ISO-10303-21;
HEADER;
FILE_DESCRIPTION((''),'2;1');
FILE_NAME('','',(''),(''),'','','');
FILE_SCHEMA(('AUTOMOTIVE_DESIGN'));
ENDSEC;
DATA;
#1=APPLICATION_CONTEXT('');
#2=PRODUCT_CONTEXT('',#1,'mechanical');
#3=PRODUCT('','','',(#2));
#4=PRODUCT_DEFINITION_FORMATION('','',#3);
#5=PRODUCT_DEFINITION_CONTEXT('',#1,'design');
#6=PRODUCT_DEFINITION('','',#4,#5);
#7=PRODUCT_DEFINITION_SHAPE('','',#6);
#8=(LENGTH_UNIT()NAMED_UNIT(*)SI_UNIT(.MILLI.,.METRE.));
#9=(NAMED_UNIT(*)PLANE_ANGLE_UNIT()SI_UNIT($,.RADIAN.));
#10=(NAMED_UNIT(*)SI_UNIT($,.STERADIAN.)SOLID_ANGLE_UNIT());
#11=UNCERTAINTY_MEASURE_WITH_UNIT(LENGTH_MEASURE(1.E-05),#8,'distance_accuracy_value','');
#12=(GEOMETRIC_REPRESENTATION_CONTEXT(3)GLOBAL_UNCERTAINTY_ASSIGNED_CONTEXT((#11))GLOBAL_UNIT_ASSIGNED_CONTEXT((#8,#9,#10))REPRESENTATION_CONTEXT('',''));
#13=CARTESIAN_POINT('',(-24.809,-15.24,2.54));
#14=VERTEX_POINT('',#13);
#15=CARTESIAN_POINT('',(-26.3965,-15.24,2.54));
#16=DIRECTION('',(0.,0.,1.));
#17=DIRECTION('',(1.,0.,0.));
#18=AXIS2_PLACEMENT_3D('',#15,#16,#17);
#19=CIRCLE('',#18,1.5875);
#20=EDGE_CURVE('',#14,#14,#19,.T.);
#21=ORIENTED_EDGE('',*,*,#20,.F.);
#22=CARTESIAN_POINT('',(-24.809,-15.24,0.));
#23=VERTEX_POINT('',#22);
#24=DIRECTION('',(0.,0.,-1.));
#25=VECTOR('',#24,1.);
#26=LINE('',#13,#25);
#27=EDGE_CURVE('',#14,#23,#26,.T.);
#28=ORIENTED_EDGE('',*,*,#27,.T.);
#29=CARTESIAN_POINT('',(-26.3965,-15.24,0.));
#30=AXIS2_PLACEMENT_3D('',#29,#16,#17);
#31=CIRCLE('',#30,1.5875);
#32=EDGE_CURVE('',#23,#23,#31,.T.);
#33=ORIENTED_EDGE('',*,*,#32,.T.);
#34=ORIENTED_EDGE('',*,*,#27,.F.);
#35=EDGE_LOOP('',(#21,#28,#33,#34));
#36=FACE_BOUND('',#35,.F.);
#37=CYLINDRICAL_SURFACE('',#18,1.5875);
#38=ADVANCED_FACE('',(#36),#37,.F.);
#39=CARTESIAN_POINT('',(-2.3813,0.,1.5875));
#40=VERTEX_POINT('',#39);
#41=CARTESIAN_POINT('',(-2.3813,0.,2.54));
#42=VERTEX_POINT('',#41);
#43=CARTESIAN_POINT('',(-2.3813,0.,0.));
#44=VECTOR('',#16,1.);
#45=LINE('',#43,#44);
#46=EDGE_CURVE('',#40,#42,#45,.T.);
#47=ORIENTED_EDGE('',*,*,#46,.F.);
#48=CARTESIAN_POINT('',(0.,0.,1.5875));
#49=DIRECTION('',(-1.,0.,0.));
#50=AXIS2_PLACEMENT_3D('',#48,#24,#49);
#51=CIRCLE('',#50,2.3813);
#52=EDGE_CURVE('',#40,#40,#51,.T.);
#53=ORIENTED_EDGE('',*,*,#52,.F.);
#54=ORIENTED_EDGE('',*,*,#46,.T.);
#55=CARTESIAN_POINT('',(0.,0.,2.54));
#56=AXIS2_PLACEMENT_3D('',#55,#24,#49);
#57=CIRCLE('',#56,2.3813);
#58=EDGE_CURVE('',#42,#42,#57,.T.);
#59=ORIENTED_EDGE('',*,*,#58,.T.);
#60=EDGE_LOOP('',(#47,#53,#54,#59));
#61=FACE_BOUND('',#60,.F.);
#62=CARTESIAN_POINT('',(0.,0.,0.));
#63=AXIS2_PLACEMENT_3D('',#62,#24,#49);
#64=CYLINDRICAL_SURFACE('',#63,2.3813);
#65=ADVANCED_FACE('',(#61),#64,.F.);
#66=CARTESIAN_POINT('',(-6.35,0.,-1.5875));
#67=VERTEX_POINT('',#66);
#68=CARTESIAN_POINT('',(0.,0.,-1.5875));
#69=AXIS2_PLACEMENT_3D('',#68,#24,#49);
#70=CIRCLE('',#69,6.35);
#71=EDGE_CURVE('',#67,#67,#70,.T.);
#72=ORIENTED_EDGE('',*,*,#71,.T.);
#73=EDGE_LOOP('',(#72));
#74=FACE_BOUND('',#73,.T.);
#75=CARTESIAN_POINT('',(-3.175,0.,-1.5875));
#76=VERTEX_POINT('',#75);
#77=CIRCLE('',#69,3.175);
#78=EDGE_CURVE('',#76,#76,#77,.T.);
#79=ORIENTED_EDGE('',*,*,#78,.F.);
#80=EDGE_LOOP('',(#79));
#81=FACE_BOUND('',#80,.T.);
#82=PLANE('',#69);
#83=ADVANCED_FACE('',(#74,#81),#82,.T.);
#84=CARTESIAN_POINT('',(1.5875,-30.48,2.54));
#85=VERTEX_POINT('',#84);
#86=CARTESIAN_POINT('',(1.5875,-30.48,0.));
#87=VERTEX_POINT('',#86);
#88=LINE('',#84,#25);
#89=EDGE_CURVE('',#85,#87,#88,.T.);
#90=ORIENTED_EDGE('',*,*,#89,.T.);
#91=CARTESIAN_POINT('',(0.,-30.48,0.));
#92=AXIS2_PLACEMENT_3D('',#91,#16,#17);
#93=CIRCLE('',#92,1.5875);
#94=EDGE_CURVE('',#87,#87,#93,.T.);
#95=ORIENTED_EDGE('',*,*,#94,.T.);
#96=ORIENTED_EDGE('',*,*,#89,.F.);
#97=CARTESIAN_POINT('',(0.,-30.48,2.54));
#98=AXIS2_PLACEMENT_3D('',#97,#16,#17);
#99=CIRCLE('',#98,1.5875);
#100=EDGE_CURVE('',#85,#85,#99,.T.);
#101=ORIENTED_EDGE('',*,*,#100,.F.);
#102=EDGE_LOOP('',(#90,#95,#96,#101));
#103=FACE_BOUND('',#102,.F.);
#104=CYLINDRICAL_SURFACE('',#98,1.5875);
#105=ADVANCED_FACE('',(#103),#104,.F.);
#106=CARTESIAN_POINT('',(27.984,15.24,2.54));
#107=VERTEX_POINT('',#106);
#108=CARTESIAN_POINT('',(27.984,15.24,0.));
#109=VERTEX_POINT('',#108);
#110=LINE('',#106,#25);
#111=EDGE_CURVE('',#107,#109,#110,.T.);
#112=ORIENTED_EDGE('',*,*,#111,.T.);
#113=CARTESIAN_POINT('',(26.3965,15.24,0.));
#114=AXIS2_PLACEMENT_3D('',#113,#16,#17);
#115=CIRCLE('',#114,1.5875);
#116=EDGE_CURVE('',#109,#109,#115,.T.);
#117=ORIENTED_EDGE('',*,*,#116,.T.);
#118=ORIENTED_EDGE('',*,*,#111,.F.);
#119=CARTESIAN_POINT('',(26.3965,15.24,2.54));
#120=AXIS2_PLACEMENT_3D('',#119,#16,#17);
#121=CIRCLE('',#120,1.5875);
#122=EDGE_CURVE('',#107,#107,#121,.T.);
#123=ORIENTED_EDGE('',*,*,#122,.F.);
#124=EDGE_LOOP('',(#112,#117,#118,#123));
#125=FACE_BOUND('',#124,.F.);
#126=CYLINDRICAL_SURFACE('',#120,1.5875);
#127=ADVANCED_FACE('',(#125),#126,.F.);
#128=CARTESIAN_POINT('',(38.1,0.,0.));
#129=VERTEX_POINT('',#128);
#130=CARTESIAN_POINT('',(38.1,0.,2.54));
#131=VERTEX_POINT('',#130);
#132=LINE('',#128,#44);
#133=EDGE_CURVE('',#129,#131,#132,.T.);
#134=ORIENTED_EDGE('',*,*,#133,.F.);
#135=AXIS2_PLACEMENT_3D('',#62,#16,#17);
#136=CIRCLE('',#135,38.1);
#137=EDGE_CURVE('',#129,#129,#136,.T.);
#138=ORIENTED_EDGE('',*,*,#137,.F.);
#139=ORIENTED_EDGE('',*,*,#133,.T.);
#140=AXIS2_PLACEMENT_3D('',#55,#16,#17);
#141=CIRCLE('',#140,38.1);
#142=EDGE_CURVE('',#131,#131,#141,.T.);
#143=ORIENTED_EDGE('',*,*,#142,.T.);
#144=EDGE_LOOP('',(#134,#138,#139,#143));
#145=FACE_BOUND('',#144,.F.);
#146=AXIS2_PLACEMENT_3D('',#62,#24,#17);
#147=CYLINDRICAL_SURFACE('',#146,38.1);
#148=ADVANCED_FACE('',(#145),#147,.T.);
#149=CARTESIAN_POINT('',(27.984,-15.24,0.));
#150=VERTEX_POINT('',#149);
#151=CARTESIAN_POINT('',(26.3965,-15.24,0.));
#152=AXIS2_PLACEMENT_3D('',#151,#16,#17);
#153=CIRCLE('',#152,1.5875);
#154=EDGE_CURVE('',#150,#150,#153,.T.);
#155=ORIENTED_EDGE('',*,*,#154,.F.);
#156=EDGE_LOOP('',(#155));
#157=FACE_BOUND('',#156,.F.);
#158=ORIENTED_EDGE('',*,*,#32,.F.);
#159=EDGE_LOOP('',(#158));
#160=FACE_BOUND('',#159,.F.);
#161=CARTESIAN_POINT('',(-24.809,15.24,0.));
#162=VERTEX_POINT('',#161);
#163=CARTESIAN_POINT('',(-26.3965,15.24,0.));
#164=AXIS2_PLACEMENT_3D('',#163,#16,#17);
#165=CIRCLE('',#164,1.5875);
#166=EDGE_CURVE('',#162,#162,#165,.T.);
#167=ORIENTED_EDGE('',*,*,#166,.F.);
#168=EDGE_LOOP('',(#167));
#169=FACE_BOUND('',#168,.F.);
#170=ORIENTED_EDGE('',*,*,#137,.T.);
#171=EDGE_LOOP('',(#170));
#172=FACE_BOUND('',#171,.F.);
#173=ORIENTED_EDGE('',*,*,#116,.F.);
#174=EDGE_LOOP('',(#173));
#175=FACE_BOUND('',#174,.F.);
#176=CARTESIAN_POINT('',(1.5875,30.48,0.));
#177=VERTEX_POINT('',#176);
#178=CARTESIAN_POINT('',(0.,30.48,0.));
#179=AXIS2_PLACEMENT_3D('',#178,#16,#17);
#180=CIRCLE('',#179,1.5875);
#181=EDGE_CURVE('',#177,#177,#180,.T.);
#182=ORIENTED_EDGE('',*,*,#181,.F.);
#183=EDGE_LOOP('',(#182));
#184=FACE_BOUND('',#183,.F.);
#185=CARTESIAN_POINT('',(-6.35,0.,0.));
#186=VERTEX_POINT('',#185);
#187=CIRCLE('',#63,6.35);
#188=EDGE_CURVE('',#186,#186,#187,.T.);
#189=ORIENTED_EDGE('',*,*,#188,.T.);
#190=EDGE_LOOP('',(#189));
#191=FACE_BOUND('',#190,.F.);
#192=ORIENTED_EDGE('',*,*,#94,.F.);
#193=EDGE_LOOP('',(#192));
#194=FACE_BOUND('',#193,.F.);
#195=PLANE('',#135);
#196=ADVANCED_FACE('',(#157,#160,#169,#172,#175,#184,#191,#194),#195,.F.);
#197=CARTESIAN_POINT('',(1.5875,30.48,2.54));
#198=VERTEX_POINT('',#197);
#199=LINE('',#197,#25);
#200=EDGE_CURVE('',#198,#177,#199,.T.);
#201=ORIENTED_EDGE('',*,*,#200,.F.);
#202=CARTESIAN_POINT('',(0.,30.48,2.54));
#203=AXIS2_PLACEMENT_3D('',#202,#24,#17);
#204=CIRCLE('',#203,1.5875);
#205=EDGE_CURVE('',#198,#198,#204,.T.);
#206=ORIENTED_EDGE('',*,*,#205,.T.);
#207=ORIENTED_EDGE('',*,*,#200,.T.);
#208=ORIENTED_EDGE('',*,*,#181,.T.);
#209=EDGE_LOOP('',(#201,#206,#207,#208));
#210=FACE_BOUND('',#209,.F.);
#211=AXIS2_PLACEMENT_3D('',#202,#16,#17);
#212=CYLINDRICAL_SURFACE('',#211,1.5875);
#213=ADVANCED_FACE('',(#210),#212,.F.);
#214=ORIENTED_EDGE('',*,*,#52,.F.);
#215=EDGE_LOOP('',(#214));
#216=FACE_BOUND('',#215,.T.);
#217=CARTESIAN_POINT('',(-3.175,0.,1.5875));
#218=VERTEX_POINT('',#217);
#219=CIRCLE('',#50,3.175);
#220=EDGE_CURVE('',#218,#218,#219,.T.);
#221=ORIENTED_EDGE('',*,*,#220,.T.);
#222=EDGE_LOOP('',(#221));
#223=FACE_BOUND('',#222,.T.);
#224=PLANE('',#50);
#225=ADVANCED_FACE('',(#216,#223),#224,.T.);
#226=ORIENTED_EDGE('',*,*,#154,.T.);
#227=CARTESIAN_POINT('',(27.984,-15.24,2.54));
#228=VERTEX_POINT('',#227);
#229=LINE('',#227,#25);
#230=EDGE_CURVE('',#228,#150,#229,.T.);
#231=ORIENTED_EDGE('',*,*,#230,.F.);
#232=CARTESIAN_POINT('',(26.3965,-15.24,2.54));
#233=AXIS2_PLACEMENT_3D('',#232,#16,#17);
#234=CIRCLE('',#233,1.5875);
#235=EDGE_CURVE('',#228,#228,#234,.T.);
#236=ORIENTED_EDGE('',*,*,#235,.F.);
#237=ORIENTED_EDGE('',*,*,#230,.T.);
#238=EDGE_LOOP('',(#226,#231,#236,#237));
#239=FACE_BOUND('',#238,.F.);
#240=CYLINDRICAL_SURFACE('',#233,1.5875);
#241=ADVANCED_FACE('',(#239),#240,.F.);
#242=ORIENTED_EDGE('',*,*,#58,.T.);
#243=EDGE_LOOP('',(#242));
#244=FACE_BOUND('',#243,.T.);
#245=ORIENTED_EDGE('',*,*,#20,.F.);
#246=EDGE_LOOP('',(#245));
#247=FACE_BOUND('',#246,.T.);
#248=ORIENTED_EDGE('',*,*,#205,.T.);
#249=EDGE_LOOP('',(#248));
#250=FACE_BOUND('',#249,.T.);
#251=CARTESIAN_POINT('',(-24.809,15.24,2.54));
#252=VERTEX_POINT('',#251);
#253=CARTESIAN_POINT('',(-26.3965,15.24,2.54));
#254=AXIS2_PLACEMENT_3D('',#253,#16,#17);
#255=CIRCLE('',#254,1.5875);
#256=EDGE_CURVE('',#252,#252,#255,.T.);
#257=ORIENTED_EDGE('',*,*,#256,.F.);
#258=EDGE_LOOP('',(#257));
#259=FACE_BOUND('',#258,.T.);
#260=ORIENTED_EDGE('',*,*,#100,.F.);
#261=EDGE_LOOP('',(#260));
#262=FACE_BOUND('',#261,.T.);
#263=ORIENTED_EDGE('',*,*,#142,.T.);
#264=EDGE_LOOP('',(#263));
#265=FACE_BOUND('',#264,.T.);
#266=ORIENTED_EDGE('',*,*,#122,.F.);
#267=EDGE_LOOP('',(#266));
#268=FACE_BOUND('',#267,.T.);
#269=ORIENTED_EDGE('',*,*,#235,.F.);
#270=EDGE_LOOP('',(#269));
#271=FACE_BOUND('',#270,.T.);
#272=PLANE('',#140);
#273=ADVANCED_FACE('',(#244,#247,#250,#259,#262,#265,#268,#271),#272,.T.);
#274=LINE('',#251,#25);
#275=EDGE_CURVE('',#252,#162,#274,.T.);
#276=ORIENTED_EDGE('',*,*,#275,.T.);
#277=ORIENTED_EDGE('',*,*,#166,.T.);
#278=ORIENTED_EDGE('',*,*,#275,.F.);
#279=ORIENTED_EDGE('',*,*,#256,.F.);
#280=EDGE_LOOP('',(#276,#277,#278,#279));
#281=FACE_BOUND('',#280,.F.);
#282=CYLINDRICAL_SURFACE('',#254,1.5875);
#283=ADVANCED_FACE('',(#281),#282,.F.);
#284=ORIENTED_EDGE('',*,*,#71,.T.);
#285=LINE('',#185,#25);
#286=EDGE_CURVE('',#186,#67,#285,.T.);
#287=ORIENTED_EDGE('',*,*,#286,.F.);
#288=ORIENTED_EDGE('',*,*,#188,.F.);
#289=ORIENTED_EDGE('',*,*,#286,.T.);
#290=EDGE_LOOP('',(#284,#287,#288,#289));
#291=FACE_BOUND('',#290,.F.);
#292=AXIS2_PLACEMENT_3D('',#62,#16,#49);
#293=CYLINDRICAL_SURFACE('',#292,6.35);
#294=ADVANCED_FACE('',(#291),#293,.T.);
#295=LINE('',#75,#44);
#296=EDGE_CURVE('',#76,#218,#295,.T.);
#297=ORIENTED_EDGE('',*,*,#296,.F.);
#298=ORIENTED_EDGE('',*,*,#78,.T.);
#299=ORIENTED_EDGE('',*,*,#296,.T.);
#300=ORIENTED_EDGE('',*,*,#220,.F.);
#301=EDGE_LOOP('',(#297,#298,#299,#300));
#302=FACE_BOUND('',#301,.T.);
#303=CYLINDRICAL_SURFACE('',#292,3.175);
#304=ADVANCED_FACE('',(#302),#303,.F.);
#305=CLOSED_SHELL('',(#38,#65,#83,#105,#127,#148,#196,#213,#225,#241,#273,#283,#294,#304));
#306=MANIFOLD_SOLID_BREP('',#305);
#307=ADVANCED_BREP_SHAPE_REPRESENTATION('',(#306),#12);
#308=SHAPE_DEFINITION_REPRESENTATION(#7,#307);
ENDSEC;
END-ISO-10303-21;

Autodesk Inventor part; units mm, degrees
ref_plane "YZ Plane" through (0, 0, 0) normal (1, 0, 0) x (0, 1, 0)
ref_plane "XZ Plane" through (0, 0, 0) normal (0, 1, 0) x (-1, 0, 0)
ref_plane "XY Plane" through (0, 0, 0) normal (0, 0, 1) x (1, 0, 0)
sketch "Sketch1" plane through (0, 0, 0) normal (0, 0, 1) x (1, 0, 0)
  circle A0 centre (0, 0) radius 38.1
  dimension "d0" = 76.2
extrude "Extrusion1" add sketch "Sketch1" along normal blind 2.54
sketch "Sketch3" plane through (0, 0, 0) normal (0, 0, -1) x (-1, 0, 0)
  circle A0 centre (0, 0) radius 3.175
  circle A1 centre (0, 0) radius 6.35
  circle A2 centre (0, 0) radius 2.3813
  dimension "d4" = 6.35
  dimension "d5" = 12.7
  dimension "d6" = 4.7625
extrude "Extrusion2" cut sketch "Sketch3" against normal blind 25.4 contours A2
extrude "Extrusion3" cut sketch "Sketch3" against normal blind 1.5875 contours A0
extrude "Extrusion4" add sketch "Sketch3" along normal blind 1.5875 contours A1
sketch "Sketch4" plane through (0, 0, 2.54) normal (0, 0, 1) x (1, 0, 0)
  line L0 (0, 0) -> (0, 30.48)
  circle A0 centre (0, 30.48) radius 1.5875
  circle A1 centre (-26.3965, 15.24) radius 1.5875
  circle A2 centre (-26.3965, -15.24) radius 1.5875
  circle A3 centre (0, -30.48) radius 1.5875
  circle A4 centre (26.3965, -15.24) radius 1.5875
  circle A5 centre (26.3965, 15.24) radius 1.5875
  dimension "d13" = 30.48
  dimension "d14" = 3.175
  dimension "d17" = 360
extrude "Extrusion5" cut sketch "Sketch4" against normal blind 25.4
properties part number "SpoolEndFrontSide"
